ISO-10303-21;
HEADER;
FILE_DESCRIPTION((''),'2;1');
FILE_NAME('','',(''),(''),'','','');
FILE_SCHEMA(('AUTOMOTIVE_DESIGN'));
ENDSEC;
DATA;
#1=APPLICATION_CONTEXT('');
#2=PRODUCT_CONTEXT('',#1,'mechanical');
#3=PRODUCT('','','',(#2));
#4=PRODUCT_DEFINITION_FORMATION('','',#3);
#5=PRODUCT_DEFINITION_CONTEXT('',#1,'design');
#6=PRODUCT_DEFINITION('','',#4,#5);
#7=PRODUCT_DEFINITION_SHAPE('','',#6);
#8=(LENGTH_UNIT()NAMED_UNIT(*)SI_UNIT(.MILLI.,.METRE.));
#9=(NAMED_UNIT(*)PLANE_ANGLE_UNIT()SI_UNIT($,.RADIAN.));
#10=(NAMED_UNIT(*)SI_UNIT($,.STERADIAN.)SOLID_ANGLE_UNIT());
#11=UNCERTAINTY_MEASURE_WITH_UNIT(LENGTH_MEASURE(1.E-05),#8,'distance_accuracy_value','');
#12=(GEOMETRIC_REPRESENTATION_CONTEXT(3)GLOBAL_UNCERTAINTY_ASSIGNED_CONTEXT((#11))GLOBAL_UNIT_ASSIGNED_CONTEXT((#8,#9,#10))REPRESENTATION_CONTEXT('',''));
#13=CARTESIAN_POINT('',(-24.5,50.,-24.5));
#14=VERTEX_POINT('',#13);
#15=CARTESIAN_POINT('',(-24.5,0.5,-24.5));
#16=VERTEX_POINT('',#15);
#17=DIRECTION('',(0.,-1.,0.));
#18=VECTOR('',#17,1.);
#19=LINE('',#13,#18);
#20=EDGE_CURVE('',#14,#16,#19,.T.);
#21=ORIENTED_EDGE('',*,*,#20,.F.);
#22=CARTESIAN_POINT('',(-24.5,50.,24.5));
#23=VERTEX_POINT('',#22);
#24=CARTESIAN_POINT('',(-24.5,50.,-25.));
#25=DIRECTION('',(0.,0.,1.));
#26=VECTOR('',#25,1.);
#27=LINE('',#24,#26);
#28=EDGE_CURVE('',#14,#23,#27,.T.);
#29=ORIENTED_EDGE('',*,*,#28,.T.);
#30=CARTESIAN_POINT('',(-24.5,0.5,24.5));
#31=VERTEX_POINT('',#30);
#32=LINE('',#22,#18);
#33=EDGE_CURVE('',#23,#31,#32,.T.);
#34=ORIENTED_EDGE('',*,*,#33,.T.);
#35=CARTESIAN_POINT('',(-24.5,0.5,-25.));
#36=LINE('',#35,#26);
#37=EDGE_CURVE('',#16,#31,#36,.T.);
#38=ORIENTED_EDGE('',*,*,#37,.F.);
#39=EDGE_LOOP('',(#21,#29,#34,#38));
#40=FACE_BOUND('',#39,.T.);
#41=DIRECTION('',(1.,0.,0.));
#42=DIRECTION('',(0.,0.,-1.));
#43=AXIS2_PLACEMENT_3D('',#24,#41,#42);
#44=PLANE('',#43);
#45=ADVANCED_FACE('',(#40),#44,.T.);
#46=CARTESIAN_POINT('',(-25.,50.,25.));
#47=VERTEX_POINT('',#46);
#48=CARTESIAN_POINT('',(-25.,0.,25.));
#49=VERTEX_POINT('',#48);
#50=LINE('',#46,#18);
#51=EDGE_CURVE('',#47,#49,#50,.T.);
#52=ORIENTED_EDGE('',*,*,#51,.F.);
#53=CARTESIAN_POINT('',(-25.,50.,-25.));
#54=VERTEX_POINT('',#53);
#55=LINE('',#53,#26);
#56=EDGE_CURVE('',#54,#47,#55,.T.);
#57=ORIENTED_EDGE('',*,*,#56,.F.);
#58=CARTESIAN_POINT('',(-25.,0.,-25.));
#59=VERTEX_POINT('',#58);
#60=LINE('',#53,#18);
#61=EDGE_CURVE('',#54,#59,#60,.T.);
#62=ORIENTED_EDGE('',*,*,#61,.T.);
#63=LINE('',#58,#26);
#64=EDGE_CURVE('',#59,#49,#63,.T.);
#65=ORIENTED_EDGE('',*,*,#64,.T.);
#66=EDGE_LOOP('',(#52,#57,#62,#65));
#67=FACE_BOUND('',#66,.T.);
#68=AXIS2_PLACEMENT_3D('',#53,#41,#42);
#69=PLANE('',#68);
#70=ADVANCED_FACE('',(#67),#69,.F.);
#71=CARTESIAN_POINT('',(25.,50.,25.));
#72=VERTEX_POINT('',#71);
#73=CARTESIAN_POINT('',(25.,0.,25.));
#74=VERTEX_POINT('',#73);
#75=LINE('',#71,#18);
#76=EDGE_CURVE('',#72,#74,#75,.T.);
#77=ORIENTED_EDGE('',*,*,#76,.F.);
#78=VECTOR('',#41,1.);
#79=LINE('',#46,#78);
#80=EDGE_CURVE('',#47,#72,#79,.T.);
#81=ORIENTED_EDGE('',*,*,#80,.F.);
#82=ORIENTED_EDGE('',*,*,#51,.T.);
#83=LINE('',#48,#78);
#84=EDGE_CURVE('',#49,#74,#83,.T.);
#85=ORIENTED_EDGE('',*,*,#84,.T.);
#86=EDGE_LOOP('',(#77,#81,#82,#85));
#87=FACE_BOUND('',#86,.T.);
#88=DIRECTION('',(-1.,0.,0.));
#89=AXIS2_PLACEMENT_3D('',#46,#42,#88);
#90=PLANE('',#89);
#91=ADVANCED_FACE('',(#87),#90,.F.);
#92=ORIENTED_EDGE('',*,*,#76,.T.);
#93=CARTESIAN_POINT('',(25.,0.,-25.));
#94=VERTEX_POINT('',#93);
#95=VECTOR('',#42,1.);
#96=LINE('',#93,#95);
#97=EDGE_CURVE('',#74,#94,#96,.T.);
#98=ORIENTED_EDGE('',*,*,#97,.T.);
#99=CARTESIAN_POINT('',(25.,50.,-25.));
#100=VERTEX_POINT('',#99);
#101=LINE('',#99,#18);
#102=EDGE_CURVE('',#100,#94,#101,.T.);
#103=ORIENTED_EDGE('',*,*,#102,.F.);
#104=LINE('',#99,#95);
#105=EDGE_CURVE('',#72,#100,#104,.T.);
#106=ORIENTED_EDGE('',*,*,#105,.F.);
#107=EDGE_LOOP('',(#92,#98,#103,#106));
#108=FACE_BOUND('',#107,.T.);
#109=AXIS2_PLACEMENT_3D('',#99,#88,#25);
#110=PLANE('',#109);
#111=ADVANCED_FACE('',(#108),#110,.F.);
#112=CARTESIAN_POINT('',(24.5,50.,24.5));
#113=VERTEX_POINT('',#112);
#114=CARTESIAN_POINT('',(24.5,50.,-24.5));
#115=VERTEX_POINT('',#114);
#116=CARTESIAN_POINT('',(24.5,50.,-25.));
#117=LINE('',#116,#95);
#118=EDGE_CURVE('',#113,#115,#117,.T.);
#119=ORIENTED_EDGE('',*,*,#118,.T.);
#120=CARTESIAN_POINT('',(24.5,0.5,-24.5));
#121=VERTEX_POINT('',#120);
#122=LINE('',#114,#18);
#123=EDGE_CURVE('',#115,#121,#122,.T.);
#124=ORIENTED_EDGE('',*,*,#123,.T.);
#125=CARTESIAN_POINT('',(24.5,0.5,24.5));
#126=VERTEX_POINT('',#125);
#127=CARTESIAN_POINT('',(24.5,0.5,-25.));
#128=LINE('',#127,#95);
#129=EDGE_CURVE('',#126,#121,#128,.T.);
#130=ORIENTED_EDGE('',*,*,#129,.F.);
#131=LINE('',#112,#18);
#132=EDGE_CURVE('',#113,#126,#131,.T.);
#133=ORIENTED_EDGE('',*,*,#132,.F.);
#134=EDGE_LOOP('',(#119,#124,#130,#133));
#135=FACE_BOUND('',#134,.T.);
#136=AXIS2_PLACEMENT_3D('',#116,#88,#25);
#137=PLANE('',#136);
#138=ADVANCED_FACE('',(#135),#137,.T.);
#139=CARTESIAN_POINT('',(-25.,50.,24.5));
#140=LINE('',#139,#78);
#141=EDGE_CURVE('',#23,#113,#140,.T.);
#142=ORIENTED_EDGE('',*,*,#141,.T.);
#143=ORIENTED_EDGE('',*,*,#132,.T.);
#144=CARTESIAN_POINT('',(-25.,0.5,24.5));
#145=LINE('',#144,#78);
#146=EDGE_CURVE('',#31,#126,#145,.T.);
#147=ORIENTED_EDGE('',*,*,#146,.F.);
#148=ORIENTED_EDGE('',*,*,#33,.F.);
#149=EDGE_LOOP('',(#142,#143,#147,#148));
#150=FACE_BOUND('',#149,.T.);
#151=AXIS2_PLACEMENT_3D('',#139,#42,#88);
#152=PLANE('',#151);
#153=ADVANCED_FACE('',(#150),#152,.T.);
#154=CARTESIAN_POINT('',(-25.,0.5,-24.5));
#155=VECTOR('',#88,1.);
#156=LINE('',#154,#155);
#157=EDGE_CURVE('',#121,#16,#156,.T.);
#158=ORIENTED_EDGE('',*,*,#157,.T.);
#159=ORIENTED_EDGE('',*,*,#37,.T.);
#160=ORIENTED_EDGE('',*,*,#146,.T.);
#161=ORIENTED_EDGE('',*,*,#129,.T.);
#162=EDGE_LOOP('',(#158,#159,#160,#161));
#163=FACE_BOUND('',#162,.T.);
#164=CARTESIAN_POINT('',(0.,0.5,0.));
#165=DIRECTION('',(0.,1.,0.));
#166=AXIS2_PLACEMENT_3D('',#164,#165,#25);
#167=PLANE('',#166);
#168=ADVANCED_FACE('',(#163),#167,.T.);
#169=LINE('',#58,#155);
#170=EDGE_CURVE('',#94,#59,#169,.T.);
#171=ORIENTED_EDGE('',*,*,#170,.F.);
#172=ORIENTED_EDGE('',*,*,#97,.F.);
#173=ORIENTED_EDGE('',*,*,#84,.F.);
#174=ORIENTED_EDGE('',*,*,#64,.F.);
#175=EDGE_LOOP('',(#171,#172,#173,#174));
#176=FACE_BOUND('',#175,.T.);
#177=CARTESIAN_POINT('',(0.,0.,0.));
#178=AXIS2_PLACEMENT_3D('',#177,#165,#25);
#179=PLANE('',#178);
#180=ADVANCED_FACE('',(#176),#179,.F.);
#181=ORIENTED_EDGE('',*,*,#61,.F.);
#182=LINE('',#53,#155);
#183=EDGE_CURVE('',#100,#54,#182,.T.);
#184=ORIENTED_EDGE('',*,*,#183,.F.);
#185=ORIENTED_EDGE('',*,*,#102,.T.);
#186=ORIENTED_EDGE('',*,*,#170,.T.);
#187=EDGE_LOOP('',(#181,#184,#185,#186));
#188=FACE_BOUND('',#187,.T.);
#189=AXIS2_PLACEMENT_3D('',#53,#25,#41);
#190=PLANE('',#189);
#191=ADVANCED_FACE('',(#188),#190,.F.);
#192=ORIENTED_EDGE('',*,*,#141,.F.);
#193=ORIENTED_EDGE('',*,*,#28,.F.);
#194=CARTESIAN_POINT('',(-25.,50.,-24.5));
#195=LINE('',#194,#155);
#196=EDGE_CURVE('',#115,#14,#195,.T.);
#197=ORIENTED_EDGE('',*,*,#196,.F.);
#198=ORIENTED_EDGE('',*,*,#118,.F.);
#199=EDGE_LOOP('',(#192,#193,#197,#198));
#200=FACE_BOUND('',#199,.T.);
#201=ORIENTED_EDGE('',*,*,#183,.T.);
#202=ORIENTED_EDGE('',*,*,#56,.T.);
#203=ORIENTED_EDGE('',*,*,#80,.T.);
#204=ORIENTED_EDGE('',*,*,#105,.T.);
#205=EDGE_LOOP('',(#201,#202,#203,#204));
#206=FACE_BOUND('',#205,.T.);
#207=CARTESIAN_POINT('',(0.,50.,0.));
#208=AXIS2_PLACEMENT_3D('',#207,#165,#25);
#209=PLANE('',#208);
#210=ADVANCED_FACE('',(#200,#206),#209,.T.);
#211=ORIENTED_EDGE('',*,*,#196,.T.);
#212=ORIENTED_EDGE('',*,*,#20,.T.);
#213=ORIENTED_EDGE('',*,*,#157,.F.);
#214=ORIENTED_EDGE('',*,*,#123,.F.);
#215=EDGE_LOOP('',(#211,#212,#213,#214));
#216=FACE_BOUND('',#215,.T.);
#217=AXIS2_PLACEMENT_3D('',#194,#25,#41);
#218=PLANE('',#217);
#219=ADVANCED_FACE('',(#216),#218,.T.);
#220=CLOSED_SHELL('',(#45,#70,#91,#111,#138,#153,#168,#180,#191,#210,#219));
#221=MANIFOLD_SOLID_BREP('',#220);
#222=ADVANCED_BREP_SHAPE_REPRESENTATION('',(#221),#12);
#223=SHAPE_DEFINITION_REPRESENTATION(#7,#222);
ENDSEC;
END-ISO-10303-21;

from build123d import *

# Parameters (mm, degrees)
SKETCH1_W           = 50
SKETCH1_H           = 50
BOSS_EXTRUDE1_DEPTH = 50
SHELL1_T            = -0.5


with BuildPart() as part:
    # Sketch1 → Boss-Extrude1 (new body)
    with BuildSketch(Plane(origin=(0, 0, 0), x_dir=(1, 0, 0), z_dir=(0, 1, 0))):
        Rectangle(SKETCH1_W, SKETCH1_H)
    extrude(amount=BOSS_EXTRUDE1_DEPTH)

    # Shell1
    shell1_openings = [part.faces().sort_by_distance(p)[0] for p in [
        (0, 50, 0),
    ]]
    offset(amount=SHELL1_T, openings=shell1_openings, kind=Kind.INTERSECTION)


solid = part.part
